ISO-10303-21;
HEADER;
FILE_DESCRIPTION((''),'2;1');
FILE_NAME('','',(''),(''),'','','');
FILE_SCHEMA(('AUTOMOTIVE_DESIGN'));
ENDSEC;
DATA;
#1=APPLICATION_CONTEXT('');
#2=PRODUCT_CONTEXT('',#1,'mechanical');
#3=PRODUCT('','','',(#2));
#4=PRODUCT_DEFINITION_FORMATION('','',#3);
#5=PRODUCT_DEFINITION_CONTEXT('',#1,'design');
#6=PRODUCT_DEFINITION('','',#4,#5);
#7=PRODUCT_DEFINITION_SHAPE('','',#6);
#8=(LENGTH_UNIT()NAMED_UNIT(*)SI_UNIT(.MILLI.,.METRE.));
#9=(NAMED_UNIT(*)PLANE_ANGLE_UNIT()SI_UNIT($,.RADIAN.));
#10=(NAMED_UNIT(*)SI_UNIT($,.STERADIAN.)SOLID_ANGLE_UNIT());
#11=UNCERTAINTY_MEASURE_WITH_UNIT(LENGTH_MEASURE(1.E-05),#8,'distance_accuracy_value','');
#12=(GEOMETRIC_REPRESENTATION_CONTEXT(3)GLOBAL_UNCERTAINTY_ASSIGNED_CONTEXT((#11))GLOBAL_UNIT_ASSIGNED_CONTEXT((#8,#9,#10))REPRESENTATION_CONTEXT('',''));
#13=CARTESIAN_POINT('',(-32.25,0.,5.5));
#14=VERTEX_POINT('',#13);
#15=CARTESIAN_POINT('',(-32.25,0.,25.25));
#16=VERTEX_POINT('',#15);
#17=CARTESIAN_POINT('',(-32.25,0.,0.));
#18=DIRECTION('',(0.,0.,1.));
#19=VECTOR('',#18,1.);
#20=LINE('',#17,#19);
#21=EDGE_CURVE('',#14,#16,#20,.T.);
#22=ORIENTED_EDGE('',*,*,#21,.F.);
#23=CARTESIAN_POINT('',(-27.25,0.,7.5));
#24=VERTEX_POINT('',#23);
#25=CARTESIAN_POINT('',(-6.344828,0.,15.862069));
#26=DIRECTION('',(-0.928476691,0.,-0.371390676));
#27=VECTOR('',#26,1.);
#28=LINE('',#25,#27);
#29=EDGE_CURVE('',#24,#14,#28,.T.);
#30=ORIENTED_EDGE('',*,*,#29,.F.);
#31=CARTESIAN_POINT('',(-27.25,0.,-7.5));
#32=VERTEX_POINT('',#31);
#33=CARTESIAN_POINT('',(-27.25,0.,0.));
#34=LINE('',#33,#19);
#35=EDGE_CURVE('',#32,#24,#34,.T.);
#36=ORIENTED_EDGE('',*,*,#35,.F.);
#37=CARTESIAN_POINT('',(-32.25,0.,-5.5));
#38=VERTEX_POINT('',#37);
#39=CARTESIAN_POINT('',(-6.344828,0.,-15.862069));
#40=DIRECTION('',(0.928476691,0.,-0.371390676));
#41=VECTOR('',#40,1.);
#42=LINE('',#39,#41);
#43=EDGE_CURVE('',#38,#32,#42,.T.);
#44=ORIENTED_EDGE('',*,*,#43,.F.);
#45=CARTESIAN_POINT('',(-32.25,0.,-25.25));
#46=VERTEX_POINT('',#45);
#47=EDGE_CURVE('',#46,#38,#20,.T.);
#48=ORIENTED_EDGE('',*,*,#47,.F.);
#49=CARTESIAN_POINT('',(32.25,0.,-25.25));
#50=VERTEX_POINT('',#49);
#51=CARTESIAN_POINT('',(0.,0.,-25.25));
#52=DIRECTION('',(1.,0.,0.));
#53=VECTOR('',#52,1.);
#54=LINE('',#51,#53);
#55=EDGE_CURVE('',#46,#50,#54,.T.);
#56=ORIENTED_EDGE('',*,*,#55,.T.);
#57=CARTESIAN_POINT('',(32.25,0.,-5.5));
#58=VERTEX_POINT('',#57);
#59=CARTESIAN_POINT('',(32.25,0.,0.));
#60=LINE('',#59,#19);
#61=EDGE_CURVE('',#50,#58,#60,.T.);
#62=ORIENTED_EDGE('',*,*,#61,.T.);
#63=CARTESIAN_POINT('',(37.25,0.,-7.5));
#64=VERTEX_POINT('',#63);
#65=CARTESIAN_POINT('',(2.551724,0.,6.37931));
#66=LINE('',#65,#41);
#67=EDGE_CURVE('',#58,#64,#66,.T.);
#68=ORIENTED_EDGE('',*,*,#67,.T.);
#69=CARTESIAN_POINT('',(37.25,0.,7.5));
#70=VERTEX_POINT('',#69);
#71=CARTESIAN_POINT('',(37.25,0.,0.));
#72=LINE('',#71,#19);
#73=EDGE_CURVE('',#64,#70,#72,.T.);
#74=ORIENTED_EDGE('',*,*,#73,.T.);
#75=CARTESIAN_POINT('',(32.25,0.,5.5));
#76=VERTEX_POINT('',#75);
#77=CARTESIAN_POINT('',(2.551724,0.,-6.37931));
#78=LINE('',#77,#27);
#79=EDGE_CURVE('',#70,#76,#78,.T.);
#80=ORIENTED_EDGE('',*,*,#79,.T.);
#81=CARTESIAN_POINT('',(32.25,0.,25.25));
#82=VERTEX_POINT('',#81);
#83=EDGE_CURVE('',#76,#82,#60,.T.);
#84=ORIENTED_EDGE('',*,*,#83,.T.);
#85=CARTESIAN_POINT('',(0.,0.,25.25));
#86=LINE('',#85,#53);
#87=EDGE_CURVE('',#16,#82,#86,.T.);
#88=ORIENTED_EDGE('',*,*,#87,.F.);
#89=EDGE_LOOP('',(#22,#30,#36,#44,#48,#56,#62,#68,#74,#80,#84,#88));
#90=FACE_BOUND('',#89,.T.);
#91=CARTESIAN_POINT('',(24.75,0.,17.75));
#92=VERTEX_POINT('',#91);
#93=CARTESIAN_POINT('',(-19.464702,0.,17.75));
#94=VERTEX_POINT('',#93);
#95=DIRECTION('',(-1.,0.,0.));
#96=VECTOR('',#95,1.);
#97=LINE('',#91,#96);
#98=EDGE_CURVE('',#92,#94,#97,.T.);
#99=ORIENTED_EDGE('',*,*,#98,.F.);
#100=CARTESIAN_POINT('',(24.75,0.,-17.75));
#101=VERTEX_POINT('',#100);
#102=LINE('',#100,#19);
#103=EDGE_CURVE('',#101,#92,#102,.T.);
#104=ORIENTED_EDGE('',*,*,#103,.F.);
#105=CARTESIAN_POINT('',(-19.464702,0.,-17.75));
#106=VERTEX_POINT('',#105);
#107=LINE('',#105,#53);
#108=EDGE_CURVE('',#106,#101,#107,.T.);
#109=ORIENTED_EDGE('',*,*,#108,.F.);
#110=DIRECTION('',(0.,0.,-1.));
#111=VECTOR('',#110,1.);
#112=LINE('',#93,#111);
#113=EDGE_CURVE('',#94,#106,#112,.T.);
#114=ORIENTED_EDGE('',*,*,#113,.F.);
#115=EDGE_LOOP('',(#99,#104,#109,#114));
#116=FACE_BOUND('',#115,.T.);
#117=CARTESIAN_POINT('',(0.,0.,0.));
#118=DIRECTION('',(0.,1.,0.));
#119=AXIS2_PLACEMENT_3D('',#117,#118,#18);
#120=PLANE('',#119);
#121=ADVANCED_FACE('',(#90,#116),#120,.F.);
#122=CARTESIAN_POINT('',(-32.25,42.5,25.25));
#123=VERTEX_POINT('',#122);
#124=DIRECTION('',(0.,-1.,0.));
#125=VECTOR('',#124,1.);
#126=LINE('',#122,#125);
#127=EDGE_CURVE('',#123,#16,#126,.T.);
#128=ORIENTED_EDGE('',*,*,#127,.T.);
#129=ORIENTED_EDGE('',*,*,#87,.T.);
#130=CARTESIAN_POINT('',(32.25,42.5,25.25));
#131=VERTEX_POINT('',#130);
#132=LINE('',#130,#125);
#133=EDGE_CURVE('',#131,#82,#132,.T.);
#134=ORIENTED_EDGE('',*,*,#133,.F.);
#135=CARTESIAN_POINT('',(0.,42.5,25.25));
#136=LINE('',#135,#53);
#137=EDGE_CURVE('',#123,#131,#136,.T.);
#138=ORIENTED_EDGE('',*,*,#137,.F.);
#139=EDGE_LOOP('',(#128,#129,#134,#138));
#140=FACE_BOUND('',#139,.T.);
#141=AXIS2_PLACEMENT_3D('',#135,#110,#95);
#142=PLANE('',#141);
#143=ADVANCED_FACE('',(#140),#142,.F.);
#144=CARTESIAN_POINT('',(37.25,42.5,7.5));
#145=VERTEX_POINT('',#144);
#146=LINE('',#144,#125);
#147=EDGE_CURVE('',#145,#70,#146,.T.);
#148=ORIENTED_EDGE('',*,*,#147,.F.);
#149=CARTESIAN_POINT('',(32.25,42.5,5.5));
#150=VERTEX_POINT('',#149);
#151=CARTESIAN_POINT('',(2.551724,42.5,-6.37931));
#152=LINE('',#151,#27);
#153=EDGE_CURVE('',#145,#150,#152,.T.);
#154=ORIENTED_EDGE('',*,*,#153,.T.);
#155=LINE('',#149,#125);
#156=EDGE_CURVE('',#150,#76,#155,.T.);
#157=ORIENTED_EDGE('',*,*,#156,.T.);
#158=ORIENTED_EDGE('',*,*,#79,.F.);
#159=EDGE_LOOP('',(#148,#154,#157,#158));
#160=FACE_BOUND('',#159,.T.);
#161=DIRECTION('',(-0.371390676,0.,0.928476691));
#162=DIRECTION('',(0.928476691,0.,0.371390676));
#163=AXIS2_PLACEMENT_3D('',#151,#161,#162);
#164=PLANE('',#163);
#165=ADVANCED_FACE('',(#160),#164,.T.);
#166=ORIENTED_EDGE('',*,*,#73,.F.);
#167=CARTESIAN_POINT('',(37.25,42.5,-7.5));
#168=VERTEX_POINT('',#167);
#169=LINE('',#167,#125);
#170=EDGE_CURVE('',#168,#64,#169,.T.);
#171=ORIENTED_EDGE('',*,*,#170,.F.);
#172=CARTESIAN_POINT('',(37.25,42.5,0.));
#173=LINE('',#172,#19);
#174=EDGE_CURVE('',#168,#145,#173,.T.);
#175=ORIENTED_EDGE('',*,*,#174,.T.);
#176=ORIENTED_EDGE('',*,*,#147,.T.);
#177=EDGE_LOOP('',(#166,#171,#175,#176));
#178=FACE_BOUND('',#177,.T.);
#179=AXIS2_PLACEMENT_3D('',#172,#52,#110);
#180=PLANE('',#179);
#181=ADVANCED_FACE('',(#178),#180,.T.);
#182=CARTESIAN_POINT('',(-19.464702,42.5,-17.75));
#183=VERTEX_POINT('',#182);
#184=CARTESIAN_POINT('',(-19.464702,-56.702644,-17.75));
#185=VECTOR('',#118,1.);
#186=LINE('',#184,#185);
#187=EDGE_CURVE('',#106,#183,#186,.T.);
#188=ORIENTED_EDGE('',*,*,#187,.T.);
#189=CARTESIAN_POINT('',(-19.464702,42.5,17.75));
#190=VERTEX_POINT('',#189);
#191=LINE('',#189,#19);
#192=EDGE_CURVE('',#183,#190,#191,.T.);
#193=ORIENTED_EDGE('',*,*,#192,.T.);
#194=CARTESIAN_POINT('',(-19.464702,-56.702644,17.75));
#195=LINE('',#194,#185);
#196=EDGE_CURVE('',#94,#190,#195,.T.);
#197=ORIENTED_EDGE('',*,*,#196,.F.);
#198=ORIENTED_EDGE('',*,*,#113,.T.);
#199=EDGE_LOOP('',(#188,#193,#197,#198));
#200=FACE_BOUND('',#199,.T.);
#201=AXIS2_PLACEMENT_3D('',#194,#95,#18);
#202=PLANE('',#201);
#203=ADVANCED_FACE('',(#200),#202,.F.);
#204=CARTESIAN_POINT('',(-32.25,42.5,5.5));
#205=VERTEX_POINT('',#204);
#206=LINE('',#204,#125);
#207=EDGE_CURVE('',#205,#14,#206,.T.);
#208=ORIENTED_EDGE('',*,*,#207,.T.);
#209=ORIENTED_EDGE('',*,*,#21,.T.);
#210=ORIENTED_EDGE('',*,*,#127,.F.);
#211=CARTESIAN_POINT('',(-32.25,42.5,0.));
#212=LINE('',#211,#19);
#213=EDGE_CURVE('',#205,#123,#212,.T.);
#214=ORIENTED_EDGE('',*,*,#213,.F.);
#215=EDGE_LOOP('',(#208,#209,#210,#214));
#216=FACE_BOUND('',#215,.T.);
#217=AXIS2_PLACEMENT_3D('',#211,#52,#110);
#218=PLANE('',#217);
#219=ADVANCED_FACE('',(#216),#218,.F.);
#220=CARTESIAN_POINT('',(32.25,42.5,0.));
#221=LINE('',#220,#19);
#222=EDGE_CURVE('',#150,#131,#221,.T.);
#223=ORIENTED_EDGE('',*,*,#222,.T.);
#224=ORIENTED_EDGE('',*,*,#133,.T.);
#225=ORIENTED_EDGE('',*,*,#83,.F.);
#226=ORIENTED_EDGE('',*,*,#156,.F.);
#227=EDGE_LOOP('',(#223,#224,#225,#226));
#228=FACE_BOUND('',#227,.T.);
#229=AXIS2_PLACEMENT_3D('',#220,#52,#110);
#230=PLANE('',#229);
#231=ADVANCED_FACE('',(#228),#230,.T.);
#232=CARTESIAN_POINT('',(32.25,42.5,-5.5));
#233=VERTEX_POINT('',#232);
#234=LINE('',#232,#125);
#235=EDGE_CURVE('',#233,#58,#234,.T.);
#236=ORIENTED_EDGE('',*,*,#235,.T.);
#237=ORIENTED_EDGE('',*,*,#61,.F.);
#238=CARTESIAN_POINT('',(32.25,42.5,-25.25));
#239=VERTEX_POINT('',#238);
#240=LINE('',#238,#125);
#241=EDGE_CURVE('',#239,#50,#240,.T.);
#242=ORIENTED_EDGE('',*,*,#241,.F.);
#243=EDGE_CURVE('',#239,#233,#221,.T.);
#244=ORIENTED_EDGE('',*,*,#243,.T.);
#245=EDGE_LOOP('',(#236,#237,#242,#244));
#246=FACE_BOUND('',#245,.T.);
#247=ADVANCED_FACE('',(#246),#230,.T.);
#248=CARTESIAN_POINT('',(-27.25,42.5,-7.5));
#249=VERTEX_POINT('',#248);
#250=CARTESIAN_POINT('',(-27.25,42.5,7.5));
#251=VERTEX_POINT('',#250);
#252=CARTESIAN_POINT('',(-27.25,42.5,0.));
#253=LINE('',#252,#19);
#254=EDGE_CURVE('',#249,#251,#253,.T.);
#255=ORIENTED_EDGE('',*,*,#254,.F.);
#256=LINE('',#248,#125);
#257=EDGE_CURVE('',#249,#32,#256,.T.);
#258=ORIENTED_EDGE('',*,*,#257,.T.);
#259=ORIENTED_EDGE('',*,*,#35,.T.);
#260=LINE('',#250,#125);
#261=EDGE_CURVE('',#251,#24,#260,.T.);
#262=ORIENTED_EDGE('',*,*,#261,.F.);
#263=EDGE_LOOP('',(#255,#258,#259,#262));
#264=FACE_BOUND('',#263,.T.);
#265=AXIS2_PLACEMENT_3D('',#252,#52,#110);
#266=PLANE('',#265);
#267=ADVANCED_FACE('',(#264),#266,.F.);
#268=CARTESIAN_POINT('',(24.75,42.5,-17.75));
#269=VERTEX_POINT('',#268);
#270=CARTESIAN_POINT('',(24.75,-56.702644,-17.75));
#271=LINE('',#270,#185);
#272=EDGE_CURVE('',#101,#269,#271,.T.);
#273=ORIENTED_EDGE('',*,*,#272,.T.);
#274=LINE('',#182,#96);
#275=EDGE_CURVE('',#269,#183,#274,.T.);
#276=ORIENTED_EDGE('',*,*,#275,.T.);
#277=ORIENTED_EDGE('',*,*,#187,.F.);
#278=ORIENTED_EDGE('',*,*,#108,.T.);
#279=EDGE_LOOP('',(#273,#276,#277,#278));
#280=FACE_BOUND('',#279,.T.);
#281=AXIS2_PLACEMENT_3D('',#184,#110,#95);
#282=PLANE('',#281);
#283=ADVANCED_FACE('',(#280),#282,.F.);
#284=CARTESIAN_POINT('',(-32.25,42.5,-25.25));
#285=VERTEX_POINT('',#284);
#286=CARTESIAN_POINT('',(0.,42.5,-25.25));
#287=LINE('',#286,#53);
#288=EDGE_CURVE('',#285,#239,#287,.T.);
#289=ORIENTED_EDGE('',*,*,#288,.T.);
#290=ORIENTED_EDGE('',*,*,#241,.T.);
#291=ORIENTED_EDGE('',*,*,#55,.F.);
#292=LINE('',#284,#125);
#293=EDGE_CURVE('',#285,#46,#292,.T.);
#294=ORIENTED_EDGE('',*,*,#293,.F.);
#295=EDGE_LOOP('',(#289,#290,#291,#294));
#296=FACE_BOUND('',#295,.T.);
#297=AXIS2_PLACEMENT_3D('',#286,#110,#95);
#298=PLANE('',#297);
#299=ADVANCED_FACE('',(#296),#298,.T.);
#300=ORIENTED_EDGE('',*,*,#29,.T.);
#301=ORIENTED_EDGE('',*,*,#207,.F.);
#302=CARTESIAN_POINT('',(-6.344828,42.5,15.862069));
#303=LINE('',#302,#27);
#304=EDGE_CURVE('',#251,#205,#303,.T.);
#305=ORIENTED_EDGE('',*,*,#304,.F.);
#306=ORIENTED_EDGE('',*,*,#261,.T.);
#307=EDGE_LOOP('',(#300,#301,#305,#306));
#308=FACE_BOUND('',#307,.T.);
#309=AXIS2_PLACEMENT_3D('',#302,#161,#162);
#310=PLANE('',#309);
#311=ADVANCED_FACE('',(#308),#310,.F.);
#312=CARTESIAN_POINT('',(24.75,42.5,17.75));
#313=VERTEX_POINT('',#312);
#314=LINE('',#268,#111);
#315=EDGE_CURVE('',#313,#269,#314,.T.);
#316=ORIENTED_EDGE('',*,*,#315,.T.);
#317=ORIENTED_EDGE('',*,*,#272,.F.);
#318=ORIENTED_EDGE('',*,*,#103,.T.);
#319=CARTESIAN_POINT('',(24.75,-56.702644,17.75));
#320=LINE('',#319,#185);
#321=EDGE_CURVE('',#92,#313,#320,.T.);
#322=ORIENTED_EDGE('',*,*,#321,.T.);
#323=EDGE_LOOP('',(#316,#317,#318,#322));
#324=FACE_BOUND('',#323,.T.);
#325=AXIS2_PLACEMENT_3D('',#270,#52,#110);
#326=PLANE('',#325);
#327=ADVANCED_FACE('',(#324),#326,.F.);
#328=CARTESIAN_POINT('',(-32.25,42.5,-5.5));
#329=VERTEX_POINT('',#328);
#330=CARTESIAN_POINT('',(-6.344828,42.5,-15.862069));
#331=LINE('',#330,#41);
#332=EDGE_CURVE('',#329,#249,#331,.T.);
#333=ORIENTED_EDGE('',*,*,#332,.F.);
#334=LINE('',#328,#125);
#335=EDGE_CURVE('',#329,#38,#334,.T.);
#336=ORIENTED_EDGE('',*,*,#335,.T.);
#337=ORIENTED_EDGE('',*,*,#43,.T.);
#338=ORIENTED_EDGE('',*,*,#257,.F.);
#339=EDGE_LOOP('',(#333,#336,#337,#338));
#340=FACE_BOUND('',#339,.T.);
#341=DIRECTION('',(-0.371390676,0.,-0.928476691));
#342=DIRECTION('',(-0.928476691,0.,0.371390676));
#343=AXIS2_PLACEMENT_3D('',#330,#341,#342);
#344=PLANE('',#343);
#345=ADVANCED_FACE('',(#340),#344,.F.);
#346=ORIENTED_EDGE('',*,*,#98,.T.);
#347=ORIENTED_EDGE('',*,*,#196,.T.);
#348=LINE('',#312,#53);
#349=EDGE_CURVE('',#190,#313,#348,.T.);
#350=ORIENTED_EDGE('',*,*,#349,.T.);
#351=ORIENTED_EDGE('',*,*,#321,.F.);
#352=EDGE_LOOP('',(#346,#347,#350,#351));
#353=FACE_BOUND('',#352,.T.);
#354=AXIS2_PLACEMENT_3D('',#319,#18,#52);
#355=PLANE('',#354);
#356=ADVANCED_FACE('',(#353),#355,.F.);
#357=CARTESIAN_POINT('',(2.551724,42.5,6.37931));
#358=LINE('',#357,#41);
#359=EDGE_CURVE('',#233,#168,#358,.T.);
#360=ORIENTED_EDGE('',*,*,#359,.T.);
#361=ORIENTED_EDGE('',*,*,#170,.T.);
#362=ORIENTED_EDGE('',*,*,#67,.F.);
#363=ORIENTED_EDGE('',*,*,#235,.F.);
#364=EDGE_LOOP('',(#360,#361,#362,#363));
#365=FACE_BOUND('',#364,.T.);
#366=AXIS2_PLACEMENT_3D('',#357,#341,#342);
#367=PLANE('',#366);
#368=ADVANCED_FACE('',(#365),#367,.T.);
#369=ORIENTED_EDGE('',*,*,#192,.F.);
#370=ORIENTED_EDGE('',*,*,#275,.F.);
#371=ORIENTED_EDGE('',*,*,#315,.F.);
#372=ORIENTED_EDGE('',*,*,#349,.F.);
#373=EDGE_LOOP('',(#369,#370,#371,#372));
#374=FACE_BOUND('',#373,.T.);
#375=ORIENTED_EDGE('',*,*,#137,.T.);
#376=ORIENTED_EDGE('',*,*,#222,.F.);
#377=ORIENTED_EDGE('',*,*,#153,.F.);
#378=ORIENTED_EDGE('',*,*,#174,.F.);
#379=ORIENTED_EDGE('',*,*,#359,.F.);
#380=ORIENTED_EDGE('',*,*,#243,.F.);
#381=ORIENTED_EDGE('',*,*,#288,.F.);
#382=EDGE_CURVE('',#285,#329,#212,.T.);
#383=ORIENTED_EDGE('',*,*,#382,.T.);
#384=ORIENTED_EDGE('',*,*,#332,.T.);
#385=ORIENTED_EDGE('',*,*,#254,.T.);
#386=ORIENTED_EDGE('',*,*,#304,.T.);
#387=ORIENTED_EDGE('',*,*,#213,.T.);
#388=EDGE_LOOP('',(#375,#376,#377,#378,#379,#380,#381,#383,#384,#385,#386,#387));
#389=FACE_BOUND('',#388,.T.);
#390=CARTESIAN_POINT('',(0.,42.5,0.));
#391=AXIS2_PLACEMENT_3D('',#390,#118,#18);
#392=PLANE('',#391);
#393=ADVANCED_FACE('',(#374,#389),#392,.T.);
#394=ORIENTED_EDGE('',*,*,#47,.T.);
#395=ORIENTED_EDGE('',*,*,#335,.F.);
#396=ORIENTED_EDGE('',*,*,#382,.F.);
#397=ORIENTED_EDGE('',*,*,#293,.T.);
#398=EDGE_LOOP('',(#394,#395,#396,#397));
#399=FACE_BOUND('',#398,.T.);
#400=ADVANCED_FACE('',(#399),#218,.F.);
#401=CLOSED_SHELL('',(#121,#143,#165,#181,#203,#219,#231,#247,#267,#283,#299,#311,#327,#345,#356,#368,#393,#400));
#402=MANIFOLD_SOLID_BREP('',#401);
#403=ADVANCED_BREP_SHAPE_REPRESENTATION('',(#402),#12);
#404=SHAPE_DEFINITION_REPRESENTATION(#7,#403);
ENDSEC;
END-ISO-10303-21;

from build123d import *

# Parameters (mm, degrees)
BOSS_EXTRUDE1_DEPTH = 42.5
SKETCH2_W           = 44.214702114
SKETCH2_H           = 35.5
CUT_EXTRUDE1_DEPTH  = 42.5


with BuildPart() as part:
    # Sketch1 → Boss-Extrude1 (new body)
    with BuildSketch(Plane(origin=(0, 0, 0), x_dir=(1, 0, 0), z_dir=(0, 1, 0))):
        Polygon((-32.25, 25.25), (-32.25, 5.5), (-27.25, 7.5), (-27.25, -7.5), (-32.25, -5.5), (-32.25, -25.25), (32.25, -25.25), (32.25, -5.5), (32.25, 5.5), (32.25, 25.25), align=None)
        Polygon((37.25, 7.5), (32.25, 5.5), (32.25, -5.5), (37.25, -7.5), align=None)
    extrude(amount=BOSS_EXTRUDE1_DEPTH)

    # Sketch2 → Cut-Extrude1 (cut)
    with BuildSketch(Plane(origin=(0, 42.5, 0), x_dir=(1, 0, 0), z_dir=(0, 1, 0))):
        with Locations((2.642648943, 0)):
            Rectangle(SKETCH2_W, SKETCH2_H)
    extrude(amount=-CUT_EXTRUDE1_DEPTH, mode=Mode.SUBTRACT)


solid = part.part
